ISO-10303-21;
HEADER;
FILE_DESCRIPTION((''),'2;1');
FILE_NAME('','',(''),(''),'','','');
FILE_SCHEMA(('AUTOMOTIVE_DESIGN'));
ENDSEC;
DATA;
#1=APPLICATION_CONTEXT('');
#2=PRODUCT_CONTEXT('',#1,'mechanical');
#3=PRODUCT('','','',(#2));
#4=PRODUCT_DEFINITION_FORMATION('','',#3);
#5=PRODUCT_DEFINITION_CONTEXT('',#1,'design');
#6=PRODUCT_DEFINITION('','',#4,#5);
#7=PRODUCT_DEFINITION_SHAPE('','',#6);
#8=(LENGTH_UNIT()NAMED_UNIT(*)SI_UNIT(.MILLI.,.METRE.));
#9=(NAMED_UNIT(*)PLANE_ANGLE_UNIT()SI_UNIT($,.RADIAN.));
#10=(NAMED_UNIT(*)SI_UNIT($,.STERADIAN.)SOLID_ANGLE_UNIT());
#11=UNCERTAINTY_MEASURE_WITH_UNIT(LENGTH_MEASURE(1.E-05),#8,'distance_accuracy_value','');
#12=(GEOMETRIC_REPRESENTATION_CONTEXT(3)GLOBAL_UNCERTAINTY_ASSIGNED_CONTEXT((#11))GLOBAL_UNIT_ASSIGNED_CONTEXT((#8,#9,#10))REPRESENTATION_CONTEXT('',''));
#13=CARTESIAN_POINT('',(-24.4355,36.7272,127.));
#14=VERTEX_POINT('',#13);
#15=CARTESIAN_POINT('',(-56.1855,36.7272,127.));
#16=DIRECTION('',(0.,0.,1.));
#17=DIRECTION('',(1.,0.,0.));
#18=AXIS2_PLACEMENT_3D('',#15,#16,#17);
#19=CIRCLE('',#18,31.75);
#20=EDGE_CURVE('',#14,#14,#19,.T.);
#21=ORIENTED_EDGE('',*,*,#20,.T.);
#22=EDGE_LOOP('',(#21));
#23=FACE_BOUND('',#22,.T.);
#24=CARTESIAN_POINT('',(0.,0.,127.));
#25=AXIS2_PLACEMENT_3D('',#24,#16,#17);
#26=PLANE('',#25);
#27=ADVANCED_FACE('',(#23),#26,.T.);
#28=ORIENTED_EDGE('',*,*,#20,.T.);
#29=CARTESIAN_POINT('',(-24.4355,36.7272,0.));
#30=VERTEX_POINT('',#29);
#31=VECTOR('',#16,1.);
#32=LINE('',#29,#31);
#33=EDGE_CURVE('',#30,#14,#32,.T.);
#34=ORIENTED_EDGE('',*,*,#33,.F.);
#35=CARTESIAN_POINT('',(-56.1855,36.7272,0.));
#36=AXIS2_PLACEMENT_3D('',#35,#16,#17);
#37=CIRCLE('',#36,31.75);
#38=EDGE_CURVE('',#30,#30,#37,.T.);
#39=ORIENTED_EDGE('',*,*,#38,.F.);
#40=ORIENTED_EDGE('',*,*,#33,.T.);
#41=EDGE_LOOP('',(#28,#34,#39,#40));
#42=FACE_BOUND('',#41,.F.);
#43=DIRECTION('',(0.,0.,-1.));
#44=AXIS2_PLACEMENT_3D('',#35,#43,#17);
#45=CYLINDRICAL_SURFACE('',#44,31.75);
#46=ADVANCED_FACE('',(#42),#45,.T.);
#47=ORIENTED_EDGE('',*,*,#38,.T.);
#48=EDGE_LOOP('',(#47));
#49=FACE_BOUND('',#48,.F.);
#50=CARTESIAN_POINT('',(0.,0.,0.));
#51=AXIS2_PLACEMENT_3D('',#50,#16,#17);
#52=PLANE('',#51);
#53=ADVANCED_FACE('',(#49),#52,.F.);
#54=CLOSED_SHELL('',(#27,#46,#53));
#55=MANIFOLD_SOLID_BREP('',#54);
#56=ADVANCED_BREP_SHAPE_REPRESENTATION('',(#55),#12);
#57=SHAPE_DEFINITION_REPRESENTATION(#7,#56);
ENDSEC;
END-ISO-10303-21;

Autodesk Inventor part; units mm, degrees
ref_plane "YZ Plane" through (0, 0, 0) normal (1, 0, 0) x (0, 1, 0)
ref_plane "XZ Plane" through (0, 0, 0) normal (0, 1, 0) x (-1, 0, 0)
ref_plane "XY Plane" through (0, 0, 0) normal (0, 0, 1) x (1, 0, 0)
sketch "Sketch1" plane through (0, 0, 0) normal (0, 0, 1) x (1, 0, 0)
  circle A0 centre (-56.1855, 36.7272) radius 31.75
  point P0 (0, 0)
  dimension "d0" = 63.5
  dimension "d0" = 63.5
extrude "Extrusion1" add sketch "Sketch1" along normal blind 127
properties part number "Winch Drum Concept"
